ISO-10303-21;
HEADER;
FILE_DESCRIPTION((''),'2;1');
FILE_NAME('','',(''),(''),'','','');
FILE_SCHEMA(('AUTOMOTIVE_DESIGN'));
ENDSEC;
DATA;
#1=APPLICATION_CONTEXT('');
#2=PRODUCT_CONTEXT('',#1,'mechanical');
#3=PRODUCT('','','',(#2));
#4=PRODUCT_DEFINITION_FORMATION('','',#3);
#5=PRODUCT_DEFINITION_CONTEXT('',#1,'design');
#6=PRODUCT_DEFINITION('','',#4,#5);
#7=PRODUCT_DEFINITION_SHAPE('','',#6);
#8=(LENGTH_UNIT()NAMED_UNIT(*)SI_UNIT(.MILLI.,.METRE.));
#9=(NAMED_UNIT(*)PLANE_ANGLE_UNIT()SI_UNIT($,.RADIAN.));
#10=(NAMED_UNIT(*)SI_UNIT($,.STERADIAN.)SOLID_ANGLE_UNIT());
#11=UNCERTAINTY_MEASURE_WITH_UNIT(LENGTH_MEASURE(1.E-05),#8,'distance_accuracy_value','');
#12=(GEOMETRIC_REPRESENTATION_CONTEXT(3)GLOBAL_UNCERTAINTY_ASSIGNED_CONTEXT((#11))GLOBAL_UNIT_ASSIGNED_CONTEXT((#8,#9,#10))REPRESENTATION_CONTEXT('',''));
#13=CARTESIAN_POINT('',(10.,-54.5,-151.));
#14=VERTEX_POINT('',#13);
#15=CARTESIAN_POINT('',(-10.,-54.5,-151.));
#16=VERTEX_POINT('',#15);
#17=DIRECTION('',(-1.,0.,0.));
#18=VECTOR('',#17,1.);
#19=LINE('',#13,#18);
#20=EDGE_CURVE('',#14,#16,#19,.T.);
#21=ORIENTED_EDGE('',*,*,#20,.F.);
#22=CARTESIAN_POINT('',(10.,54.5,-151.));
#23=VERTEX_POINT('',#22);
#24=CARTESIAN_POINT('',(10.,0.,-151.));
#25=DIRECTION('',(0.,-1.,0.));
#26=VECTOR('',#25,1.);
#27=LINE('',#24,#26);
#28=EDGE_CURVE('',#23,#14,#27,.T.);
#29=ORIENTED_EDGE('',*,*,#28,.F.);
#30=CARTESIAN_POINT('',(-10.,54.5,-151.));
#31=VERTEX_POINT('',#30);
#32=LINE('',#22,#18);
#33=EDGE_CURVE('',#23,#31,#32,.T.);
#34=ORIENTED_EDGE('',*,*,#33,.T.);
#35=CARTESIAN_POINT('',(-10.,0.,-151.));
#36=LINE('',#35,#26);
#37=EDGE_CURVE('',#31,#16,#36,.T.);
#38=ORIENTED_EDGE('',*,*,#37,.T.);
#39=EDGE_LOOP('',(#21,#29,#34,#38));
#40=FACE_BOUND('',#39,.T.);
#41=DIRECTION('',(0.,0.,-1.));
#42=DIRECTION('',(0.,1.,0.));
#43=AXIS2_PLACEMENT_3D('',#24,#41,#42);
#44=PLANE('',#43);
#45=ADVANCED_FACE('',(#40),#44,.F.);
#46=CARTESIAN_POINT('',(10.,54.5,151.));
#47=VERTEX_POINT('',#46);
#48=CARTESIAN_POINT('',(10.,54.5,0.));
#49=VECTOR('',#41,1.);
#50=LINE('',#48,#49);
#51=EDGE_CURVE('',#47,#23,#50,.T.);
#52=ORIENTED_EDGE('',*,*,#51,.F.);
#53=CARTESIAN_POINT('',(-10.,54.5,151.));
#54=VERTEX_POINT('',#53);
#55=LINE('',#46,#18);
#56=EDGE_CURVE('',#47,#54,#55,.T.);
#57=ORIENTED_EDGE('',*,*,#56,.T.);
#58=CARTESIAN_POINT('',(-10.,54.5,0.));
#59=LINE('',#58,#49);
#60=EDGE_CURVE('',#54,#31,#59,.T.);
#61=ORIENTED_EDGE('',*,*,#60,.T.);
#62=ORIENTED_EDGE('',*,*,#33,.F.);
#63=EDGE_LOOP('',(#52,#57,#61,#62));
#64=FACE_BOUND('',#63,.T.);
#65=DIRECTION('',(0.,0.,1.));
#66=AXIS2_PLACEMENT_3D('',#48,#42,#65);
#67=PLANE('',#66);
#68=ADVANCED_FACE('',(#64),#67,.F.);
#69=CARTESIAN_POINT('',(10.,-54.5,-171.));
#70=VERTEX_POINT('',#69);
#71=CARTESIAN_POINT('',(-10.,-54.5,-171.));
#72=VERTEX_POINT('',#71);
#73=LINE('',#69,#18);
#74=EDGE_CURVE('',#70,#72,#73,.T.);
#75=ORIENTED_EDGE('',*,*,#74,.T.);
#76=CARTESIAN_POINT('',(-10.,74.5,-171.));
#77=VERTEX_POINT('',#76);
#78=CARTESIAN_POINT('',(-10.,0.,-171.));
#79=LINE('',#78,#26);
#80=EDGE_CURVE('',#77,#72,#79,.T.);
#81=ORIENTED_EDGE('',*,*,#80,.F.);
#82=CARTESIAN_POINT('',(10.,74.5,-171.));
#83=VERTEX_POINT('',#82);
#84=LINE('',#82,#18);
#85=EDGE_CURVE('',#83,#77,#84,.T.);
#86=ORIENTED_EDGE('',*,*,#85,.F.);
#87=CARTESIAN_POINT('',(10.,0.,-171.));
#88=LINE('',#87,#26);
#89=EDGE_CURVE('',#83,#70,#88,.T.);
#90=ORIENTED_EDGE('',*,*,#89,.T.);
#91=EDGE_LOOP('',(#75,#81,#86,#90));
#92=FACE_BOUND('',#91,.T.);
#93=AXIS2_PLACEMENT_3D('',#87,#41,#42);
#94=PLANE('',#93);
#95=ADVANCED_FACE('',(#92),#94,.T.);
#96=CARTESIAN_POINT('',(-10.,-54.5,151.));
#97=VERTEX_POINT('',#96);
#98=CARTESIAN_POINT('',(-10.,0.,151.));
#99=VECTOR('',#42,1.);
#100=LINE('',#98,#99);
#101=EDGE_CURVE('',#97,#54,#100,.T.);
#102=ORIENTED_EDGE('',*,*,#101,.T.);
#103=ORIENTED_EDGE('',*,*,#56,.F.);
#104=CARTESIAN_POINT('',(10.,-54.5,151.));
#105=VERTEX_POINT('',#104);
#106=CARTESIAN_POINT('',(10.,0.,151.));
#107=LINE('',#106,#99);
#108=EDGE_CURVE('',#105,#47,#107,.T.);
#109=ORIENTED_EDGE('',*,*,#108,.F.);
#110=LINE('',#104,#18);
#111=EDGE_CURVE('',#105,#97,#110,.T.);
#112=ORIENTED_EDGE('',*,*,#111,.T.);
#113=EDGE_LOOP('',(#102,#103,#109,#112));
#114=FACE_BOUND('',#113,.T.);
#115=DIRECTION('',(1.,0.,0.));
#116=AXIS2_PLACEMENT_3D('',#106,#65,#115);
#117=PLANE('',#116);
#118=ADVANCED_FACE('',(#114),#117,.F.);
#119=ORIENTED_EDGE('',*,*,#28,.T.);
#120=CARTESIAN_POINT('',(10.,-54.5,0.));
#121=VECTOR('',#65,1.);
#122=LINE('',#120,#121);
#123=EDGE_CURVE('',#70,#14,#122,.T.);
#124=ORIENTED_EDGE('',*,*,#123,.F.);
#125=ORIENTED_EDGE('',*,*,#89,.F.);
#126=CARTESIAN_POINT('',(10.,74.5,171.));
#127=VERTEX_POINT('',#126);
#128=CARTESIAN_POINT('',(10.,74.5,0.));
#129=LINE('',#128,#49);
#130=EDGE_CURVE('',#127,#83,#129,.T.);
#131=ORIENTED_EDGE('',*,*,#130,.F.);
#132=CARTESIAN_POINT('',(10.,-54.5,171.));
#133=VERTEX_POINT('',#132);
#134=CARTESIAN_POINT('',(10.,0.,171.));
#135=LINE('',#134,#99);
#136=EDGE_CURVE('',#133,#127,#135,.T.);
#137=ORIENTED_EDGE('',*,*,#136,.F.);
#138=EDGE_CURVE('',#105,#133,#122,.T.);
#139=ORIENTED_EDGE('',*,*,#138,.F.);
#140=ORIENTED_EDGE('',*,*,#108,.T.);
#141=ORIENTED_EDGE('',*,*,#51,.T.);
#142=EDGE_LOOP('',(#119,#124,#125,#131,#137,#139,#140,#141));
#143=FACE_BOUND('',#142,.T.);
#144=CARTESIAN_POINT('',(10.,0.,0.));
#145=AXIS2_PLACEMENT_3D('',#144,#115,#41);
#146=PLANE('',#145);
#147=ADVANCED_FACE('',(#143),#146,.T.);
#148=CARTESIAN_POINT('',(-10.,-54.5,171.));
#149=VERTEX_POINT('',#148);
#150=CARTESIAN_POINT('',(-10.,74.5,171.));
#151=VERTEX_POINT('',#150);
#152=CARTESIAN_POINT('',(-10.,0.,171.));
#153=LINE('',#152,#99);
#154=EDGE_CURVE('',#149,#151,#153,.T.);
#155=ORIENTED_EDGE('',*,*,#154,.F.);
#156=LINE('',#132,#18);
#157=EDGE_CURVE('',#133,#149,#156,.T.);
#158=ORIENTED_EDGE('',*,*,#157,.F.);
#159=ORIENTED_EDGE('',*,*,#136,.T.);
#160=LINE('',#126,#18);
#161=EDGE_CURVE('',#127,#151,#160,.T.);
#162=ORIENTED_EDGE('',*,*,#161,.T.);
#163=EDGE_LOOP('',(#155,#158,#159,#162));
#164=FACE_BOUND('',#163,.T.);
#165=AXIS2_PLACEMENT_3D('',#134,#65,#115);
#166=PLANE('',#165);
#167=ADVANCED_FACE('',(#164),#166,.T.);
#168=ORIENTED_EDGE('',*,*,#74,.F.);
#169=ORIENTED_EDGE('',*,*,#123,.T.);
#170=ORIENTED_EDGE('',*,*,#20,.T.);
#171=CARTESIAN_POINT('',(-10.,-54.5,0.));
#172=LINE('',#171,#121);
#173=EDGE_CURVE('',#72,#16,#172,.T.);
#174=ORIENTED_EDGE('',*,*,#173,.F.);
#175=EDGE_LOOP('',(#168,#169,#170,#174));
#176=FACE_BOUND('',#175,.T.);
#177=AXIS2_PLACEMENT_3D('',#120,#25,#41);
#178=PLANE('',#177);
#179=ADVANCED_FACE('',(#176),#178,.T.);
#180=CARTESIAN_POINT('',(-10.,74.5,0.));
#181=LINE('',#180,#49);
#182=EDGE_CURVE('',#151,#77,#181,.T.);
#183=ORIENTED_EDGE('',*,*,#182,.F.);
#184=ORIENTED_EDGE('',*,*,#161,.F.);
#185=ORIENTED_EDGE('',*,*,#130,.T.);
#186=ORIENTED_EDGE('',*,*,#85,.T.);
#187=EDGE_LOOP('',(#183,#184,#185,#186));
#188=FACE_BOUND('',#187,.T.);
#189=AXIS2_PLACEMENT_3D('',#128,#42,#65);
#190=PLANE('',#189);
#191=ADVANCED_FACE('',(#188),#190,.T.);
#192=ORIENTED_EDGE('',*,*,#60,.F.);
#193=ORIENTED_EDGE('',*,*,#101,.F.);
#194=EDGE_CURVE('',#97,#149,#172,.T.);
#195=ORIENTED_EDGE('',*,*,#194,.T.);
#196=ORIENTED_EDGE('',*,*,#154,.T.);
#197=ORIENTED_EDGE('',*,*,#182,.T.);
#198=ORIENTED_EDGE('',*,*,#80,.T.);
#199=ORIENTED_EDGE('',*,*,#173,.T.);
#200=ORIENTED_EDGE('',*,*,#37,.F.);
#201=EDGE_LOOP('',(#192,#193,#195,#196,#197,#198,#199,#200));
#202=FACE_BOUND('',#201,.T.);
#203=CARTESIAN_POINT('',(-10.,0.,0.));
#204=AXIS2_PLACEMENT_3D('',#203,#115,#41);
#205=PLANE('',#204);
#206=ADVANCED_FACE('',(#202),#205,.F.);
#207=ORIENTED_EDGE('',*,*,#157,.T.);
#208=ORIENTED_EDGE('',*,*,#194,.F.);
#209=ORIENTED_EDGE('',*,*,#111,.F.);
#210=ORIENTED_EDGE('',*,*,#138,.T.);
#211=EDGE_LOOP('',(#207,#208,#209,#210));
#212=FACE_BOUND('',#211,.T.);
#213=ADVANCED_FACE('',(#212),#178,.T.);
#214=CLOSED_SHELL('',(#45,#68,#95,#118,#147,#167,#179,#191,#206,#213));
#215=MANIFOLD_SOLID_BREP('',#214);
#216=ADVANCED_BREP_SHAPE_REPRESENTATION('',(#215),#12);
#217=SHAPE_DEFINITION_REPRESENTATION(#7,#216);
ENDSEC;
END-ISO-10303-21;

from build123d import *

# Parameters (mm, degrees)
BOSS_EXTRUDE1_DEPTH = 10


with BuildPart() as part:
    # Sketch1 → Boss-Extrude1 (new, symmetric)
    with BuildSketch(Plane(origin=(0, 0, 0), x_dir=(0, 0, -1), z_dir=(1, 0, 0))):
        Polygon((-171, -54.5), (-151, -54.5), (-151, 54.5), (151, 54.5), (151, -54.5), (171, -54.5), (171, 74.5), (0, 74.5), (-171, 74.5), align=None)
    extrude(amount=BOSS_EXTRUDE1_DEPTH, both=True)


solid = part.part
